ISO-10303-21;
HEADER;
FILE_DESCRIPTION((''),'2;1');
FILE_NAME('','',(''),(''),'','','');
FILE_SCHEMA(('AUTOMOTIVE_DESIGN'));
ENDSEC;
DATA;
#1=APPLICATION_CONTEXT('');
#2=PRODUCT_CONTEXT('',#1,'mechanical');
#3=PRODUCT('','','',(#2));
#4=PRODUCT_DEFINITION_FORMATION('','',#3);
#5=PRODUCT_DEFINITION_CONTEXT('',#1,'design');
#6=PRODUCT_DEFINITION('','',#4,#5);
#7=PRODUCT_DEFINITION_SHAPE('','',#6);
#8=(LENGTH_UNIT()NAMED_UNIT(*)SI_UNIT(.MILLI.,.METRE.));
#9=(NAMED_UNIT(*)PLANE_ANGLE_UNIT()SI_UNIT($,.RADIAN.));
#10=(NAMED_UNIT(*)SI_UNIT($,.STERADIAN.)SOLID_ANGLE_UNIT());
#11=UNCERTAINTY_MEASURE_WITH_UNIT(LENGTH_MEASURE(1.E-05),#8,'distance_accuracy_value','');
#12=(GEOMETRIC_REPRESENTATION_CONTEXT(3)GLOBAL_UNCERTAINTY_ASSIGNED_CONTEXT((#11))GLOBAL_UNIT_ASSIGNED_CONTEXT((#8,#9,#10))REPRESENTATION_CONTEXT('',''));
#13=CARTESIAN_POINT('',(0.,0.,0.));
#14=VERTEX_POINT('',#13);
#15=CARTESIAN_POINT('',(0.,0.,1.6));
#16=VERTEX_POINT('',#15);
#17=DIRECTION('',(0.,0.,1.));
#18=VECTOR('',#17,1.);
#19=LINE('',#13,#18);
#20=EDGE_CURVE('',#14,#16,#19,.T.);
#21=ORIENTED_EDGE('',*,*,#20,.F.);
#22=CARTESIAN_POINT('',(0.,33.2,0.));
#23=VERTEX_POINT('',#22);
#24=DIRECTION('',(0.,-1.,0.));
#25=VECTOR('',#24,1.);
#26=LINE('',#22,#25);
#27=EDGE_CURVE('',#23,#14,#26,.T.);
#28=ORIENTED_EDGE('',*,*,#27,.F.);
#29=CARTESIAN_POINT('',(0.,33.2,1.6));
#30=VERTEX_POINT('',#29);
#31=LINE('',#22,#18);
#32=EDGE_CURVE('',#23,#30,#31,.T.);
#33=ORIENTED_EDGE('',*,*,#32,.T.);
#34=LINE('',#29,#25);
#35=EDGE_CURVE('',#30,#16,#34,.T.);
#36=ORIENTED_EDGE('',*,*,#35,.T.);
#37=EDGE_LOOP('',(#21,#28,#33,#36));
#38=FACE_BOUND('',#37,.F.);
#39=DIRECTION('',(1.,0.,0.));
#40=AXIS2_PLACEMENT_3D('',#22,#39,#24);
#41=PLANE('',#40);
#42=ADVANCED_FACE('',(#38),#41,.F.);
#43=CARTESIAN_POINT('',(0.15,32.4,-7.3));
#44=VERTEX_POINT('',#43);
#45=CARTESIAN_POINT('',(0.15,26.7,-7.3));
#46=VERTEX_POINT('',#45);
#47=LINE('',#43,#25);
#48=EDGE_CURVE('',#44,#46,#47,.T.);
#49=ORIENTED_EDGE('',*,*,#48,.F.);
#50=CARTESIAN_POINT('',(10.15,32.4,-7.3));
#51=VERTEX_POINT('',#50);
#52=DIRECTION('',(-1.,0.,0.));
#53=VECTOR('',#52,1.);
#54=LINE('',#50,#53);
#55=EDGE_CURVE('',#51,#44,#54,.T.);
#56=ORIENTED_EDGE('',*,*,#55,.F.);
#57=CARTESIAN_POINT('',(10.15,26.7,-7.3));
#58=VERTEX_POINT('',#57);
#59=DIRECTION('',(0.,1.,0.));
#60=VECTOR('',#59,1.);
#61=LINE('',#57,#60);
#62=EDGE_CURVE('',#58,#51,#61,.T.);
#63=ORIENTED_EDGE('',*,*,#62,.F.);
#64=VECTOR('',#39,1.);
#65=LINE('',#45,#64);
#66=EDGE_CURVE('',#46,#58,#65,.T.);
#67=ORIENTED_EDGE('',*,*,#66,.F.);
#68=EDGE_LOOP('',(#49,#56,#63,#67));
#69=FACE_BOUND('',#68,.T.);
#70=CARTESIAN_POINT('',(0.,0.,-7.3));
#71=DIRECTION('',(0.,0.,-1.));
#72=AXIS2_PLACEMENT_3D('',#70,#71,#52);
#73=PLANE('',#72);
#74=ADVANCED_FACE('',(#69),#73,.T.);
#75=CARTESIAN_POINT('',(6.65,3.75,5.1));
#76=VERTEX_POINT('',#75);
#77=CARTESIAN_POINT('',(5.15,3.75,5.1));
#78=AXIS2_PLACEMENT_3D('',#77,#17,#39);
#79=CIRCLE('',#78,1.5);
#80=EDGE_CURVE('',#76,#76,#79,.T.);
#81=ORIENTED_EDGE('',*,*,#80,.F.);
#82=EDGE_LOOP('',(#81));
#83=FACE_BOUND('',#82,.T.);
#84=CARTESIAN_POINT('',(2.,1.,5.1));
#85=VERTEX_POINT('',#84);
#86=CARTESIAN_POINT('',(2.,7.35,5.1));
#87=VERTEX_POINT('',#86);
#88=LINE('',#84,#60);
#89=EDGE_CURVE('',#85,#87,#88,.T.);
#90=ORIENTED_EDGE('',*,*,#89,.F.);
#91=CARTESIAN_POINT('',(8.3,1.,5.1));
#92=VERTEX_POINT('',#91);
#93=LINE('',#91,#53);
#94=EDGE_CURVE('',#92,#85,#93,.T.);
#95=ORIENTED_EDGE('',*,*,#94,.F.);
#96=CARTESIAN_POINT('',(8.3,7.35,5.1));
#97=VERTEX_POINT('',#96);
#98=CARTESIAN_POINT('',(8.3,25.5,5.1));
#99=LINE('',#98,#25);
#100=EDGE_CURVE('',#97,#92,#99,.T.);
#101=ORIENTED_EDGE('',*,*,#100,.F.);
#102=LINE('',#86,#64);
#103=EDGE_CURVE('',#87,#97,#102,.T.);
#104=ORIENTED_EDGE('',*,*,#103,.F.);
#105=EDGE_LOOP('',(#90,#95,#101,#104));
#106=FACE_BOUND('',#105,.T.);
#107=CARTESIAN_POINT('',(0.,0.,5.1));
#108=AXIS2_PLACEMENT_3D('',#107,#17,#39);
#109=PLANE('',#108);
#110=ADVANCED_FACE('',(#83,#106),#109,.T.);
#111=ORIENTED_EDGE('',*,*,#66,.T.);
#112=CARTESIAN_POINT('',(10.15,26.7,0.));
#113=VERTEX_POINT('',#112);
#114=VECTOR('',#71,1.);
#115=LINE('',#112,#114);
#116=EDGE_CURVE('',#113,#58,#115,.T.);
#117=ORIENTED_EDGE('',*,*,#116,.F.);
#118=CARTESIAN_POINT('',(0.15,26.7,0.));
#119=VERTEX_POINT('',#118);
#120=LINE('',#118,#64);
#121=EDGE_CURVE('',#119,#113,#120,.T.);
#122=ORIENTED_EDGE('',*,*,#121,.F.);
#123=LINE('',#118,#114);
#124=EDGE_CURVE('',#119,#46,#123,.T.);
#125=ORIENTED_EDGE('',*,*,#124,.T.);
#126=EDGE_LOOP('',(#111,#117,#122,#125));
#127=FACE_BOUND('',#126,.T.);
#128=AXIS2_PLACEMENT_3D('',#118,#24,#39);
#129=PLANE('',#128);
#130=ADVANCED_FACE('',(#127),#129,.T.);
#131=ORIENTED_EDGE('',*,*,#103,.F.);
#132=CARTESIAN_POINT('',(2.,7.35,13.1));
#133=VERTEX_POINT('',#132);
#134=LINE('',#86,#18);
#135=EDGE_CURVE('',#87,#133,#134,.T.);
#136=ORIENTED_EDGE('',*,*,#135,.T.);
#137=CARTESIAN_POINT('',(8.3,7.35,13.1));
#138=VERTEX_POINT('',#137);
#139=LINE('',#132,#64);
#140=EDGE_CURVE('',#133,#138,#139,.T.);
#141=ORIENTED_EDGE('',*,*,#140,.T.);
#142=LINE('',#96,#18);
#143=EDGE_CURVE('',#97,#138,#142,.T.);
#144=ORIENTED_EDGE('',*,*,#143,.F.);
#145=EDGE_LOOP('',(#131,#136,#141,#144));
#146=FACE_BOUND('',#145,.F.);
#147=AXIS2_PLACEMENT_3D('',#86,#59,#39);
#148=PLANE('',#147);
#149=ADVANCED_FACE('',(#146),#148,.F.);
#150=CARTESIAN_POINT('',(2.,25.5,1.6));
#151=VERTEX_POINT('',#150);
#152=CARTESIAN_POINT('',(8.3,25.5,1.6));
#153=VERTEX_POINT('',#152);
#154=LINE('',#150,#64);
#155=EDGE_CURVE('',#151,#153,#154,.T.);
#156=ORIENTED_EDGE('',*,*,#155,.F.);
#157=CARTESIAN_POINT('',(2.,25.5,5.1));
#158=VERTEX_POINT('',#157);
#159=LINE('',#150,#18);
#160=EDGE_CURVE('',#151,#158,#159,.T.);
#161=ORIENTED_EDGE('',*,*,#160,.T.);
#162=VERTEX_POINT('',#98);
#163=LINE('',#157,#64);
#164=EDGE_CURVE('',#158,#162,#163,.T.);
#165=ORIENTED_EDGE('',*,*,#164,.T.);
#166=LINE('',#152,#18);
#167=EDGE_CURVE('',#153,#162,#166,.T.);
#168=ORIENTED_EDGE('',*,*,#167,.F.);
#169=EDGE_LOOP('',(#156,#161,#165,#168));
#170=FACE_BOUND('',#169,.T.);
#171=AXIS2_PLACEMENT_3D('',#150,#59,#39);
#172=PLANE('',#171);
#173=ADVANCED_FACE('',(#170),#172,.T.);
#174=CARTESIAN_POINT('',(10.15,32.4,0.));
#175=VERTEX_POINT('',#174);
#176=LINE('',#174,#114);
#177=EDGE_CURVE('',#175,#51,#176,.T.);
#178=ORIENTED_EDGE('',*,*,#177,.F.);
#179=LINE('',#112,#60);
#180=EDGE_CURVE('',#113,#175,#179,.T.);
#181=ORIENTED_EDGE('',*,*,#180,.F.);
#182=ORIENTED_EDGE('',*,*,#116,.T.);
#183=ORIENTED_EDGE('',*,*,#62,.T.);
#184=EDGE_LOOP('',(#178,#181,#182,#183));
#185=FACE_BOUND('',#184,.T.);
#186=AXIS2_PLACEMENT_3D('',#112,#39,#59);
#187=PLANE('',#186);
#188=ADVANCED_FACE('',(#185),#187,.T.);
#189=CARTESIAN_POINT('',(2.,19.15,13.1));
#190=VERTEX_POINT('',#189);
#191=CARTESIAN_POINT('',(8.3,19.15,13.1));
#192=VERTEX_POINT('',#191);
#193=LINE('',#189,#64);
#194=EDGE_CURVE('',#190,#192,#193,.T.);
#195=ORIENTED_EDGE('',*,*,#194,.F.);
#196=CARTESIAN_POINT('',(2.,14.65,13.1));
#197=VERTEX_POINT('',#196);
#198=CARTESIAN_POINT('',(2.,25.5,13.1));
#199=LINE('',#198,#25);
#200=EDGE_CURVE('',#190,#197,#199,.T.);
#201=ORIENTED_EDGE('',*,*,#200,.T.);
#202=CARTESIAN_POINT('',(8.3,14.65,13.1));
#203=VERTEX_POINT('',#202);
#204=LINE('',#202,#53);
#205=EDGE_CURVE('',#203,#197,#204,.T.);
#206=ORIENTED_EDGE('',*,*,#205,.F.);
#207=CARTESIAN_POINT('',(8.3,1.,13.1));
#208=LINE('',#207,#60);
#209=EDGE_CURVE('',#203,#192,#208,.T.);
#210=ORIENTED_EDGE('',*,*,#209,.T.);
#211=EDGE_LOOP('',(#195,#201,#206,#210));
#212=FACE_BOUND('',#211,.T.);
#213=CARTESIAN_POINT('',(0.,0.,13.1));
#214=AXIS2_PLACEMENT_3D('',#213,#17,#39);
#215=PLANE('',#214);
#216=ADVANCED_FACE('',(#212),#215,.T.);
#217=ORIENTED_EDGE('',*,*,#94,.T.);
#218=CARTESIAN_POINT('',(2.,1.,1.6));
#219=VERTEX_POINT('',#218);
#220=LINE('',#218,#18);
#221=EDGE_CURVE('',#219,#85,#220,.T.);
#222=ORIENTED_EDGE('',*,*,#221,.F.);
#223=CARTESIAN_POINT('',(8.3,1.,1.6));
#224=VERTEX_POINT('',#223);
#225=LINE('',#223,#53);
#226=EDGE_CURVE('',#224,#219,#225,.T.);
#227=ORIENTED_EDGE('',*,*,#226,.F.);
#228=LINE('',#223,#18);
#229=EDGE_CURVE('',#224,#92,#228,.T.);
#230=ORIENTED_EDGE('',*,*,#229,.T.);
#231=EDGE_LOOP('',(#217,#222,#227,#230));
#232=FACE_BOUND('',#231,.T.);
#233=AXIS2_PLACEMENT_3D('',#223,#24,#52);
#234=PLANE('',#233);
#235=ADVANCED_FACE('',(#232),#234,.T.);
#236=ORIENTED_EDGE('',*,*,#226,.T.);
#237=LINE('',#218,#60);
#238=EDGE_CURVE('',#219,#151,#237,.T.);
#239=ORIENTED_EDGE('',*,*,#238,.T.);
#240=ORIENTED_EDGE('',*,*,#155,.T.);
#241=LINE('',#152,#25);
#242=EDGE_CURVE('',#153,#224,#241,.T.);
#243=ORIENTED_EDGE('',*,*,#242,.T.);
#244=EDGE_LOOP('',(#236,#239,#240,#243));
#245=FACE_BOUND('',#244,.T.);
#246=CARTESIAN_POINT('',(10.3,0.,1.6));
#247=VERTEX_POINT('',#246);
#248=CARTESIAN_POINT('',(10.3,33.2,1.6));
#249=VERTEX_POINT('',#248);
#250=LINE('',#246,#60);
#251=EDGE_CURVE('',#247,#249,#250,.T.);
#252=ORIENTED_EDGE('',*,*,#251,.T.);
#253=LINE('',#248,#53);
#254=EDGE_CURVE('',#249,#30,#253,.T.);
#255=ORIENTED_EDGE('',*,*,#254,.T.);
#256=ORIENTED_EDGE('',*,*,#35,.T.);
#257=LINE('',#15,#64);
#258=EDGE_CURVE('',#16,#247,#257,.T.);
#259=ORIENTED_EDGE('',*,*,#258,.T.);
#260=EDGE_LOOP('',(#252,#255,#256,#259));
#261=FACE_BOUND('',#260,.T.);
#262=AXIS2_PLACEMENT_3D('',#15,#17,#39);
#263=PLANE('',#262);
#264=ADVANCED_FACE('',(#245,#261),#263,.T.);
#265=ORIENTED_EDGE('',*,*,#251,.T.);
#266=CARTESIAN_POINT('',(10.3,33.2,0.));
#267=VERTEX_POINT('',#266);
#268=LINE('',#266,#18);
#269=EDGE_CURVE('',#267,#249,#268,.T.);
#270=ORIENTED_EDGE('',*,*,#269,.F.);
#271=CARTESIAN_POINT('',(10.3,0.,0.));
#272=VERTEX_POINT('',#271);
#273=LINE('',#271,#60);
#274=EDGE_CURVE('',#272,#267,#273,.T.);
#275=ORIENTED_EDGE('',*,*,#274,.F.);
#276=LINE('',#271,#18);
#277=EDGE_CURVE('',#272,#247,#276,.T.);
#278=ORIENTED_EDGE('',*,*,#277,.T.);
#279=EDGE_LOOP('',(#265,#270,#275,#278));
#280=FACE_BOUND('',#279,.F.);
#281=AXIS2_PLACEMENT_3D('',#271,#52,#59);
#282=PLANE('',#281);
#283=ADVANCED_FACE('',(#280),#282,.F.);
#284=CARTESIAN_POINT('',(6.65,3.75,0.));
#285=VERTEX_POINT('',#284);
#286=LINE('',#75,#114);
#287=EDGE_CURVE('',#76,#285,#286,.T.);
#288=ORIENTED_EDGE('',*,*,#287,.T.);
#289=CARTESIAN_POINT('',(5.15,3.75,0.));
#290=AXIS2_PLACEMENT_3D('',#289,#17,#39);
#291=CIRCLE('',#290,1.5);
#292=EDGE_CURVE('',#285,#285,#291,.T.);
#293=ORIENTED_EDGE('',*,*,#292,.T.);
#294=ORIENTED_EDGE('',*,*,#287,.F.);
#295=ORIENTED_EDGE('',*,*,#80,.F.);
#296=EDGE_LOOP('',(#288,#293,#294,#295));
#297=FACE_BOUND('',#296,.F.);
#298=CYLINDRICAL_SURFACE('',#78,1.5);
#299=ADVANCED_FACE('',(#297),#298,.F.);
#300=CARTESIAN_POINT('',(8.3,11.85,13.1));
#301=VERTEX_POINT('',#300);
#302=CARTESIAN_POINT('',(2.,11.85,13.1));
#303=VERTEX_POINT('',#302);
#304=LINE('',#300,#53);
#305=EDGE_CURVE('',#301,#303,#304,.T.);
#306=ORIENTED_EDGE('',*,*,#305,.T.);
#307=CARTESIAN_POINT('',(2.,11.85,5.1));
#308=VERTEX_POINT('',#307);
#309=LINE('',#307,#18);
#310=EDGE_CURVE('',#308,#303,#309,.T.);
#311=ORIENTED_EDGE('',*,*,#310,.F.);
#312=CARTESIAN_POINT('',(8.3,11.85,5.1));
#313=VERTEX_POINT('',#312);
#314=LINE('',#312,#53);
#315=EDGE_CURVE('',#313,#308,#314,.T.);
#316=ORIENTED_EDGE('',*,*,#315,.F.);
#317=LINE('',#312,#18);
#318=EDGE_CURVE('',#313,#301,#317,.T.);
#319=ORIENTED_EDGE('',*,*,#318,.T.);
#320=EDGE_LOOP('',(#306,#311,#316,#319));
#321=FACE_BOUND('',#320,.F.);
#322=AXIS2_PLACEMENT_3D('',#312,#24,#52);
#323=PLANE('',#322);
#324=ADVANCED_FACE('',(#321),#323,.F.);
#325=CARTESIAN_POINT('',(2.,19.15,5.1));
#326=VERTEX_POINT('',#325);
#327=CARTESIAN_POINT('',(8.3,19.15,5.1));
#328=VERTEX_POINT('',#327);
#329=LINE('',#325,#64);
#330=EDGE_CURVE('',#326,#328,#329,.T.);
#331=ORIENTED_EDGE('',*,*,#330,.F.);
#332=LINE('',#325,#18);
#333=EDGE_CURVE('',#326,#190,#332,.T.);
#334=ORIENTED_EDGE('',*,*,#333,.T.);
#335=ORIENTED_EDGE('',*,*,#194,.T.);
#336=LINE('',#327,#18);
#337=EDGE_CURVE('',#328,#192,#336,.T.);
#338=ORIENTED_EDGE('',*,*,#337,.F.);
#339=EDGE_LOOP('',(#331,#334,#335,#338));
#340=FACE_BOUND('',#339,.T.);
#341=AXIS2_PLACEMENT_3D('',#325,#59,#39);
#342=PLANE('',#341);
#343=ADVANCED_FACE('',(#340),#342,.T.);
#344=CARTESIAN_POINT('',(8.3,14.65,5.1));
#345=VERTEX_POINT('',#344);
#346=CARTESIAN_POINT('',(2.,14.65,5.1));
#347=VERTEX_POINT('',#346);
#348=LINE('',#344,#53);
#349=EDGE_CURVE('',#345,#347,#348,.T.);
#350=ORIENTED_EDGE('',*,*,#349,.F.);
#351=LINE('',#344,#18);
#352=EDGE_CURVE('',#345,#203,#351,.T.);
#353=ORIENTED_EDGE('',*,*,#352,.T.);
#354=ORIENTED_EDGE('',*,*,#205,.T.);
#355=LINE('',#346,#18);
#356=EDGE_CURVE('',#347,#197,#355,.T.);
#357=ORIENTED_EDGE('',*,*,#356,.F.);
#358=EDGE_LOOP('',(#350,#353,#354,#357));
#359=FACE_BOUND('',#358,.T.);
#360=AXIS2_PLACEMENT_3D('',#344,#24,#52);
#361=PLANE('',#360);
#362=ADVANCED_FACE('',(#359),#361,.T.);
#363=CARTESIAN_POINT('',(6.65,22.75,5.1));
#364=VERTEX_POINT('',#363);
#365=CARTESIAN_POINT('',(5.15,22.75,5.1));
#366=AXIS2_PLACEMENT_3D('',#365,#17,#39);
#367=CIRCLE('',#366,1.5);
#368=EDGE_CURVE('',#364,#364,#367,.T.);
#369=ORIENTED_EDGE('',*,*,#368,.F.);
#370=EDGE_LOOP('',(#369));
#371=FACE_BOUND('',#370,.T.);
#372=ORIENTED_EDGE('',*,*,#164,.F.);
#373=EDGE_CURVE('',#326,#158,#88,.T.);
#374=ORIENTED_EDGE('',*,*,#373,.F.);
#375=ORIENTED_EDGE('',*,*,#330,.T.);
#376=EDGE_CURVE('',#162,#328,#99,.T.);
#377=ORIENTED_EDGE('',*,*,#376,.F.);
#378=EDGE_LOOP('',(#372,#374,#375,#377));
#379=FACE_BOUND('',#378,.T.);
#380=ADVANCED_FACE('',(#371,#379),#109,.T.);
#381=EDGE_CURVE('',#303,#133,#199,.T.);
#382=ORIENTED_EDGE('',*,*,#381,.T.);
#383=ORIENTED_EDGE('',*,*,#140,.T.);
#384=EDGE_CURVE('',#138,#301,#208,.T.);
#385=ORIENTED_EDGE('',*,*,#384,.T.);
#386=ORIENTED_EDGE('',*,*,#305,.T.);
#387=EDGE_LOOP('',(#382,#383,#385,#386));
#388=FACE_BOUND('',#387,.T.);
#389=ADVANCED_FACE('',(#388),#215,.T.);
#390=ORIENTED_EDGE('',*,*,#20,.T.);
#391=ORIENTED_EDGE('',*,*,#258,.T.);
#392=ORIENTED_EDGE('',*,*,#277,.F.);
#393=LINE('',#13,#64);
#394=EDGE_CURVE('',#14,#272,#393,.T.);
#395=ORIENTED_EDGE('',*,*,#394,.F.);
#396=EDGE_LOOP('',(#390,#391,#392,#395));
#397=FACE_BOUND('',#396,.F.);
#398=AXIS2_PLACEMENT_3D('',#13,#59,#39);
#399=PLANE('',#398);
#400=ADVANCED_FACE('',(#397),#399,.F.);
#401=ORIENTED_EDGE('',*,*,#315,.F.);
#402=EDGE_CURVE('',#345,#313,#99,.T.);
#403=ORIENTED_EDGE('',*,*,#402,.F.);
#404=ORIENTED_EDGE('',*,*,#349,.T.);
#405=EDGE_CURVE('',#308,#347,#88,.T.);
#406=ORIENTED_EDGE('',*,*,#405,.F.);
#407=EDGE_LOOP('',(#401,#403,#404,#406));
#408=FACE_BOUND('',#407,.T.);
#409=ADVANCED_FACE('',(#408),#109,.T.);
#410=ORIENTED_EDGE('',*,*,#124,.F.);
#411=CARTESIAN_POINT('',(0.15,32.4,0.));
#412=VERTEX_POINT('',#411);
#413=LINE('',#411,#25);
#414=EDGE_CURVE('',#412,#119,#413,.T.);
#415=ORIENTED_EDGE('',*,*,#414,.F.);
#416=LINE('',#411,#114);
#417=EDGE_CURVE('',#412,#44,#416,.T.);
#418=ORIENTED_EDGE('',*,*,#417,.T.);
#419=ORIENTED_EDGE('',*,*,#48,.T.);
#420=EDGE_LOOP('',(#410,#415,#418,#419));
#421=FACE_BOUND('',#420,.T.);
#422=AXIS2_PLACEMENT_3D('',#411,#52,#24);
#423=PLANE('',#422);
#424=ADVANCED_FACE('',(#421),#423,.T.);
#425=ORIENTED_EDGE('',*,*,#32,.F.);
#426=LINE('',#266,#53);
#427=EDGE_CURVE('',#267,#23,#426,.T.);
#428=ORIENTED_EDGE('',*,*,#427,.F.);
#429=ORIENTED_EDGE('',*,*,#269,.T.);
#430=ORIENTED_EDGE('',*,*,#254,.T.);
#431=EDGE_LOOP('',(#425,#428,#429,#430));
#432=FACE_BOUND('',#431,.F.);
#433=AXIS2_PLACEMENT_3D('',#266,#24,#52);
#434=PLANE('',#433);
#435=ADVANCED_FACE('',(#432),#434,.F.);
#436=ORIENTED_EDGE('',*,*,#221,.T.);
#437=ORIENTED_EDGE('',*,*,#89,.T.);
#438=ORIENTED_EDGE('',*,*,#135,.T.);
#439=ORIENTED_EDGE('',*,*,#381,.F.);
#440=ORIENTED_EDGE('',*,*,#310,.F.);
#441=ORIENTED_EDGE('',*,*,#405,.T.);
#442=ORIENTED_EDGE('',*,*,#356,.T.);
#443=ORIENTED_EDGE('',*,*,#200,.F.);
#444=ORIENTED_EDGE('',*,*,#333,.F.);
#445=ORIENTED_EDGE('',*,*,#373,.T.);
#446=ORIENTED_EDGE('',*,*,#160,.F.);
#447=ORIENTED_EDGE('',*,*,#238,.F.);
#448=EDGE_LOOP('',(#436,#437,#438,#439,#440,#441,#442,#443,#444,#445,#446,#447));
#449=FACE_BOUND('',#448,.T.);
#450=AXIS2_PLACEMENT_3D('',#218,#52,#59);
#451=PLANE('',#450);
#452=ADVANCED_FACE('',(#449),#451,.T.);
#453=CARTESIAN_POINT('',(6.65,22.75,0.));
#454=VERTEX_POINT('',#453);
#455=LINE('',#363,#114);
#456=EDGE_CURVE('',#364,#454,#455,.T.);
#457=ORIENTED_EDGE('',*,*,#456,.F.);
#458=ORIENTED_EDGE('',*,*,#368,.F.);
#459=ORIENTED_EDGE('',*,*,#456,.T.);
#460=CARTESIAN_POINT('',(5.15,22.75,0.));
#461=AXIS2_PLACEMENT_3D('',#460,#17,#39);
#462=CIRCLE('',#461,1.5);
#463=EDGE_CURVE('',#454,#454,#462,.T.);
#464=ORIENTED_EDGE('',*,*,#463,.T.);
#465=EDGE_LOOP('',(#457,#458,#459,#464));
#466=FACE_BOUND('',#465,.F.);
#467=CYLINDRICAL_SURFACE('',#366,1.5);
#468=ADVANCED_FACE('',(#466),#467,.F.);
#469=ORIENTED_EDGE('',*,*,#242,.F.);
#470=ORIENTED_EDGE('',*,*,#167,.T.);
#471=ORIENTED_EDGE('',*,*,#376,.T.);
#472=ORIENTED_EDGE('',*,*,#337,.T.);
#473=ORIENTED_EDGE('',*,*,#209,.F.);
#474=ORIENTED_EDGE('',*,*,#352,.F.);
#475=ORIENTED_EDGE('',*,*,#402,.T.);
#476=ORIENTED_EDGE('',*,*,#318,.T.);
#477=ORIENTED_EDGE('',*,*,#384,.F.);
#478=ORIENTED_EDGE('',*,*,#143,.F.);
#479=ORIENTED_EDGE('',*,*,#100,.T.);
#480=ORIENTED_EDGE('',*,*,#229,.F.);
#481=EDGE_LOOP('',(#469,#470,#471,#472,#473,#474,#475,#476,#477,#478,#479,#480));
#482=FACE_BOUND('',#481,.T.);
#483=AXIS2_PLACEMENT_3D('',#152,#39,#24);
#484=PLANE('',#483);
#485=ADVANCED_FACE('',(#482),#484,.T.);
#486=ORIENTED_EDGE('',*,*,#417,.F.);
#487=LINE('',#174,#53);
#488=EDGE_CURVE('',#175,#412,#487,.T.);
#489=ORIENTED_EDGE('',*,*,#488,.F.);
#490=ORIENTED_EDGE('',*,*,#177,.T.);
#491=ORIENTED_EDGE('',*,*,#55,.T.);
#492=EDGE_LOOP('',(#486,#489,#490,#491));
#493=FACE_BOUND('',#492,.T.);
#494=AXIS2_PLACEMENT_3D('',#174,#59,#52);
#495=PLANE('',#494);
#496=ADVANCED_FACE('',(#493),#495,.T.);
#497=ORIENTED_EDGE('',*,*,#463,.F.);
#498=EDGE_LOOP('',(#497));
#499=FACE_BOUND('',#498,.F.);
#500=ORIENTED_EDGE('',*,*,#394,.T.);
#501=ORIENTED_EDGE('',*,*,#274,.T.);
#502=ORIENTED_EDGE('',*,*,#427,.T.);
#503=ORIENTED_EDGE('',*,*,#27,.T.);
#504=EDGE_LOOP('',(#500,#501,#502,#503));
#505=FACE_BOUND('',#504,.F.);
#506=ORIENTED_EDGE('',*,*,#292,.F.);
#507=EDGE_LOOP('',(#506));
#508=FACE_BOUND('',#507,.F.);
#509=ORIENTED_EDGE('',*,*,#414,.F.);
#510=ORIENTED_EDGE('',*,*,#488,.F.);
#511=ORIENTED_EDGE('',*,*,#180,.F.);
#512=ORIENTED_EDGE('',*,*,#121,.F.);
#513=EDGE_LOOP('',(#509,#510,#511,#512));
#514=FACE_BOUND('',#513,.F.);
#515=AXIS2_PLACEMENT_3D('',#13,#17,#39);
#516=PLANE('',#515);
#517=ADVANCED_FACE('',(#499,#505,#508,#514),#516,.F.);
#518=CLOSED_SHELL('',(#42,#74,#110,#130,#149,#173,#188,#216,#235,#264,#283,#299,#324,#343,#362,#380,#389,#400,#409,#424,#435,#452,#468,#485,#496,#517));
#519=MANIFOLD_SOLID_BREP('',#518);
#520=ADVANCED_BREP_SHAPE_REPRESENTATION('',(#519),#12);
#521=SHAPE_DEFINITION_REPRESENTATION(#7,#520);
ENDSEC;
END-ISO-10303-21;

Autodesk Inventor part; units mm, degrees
ref_plane "YZ Plane" through (0, 0, 0) normal (1, 0, 0) x (0, 1, 0)
ref_plane "XZ Plane" through (0, 0, 0) normal (0, 1, 0) x (-1, 0, 0)
ref_plane "XY Plane" through (0, 0, 0) normal (0, 0, 1) x (1, 0, 0)
sketch "Sketch1" plane through (0, 0, 0) normal (0, 0, 1) x (1, 0, 0)
  line L0 (0, 0) -> (10.3, 0)
  line L1 (10.3, 0) -> (10.3, 33.2)
  line L2 (10.3, 33.2) -> (0, 33.2)
  line L3 (0, 33.2) -> (0, 0)
  dimension "d0" = 10.3
  dimension "d1" = 33.2
extrude "Extrusion1" add sketch "Sketch1" along normal blind 1.6
sketch "Sketch2" plane through (0, 0, 1.6) normal (0, 0, 1) x (1, 0, 0)
  line L0 (0, 0) -> (10.3, 0) projected
  line L1 (10.3, 0) -> (10.3, 33.2) projected
  line L2 (2, 25.5) -> (8.3, 25.5)
  line L3 (8.3, 25.5) -> (8.3, 1)
  line L4 (8.3, 1) -> (2, 1)
  line L5 (2, 1) -> (2, 25.5)
  dimension "d4" = 6.3
  dimension "d5" = 24.5
  dimension "d6" = 1
  dimension "d7" = 2
extrude "Extrusion2" add sketch "Sketch2" along normal blind 3.5
sketch "Sketch3" plane through (0, 0, 5.1) normal (0, 0, 1) x (1, 0, 0)
  line L0 (2, 25.5) -> (2, 1) projected
  line L1 (2, 1) -> (8.3, 1) projected
  line L2 (8.3, 1) -> (8.3, 25.5) projected
  line L3 (8.3, 11.85) -> (2, 11.85)
  line L4 (2, 7.35) -> (8.3, 7.35)
  line L5 (8.3, 14.65) -> (2, 14.65)
  line L6 (2, 19.15) -> (8.3, 19.15)
  point P0 (0, 0)
  dimension "d10" = 4.5
  dimension "d11" = 4.5
  dimension "d12" = 2.8
  dimension "d13" = 10.85
extrude "Extrusion3" add sketch "Sketch3" along normal blind 8 contours L6 L2 L5 L0 | L3 L2 L4 L0
sketch "Sketch4" plane through (0, 0, 0) normal (0, 0, -1) x (-1, 0, 0)
  line L0 (-10.3, 33.2) -> (0, 33.2) projected
  line L1 (-10.3, 0) -> (-10.3, 33.2) projected
  line L2 (-10.15, 32.4) -> (-0.15, 32.4)
  line L3 (-0.15, 32.4) -> (-0.15, 26.7)
  line L4 (-0.15, 26.7) -> (-10.15, 26.7)
  line L5 (-10.15, 26.7) -> (-10.15, 32.4)
  dimension "d16" = 10
  dimension "d17" = 5.7
  dimension "d18" = 0.15
  dimension "d19" = 0.8
extrude "Extrusion4" add sketch "Sketch4" along normal blind 7.3
sketch "Sketch5" plane through (0, 0, 5.1) normal (0, 0, 1) x (1, 0, 0)
  line L0 (2, 25.5) -> (2, 19.15) projected
  line L1 (8.3, 7.35) -> (2, 7.35) projected
  line L2 (2, 7.35) -> (2, 1) projected
  line L3 (2, 1) -> (8.3, 1) projected
  line L4 (8.3, 1) -> (8.3, 7.35) projected
  circle A0 centre (5.15, 3.75) radius 1.5
  circle A1 centre (5.15, 22.75) radius 1.5
  point P0 (0, 0)
  dimension "d22" = 3
  dimension "d23" = 19
  dimension "d24" = 3.15
  dimension "d25" = 2.75
extrude "Extrusion5" cut sketch "Sketch5" against normal up to next contours A0 | A1
properties part number "EndStopOptical"
